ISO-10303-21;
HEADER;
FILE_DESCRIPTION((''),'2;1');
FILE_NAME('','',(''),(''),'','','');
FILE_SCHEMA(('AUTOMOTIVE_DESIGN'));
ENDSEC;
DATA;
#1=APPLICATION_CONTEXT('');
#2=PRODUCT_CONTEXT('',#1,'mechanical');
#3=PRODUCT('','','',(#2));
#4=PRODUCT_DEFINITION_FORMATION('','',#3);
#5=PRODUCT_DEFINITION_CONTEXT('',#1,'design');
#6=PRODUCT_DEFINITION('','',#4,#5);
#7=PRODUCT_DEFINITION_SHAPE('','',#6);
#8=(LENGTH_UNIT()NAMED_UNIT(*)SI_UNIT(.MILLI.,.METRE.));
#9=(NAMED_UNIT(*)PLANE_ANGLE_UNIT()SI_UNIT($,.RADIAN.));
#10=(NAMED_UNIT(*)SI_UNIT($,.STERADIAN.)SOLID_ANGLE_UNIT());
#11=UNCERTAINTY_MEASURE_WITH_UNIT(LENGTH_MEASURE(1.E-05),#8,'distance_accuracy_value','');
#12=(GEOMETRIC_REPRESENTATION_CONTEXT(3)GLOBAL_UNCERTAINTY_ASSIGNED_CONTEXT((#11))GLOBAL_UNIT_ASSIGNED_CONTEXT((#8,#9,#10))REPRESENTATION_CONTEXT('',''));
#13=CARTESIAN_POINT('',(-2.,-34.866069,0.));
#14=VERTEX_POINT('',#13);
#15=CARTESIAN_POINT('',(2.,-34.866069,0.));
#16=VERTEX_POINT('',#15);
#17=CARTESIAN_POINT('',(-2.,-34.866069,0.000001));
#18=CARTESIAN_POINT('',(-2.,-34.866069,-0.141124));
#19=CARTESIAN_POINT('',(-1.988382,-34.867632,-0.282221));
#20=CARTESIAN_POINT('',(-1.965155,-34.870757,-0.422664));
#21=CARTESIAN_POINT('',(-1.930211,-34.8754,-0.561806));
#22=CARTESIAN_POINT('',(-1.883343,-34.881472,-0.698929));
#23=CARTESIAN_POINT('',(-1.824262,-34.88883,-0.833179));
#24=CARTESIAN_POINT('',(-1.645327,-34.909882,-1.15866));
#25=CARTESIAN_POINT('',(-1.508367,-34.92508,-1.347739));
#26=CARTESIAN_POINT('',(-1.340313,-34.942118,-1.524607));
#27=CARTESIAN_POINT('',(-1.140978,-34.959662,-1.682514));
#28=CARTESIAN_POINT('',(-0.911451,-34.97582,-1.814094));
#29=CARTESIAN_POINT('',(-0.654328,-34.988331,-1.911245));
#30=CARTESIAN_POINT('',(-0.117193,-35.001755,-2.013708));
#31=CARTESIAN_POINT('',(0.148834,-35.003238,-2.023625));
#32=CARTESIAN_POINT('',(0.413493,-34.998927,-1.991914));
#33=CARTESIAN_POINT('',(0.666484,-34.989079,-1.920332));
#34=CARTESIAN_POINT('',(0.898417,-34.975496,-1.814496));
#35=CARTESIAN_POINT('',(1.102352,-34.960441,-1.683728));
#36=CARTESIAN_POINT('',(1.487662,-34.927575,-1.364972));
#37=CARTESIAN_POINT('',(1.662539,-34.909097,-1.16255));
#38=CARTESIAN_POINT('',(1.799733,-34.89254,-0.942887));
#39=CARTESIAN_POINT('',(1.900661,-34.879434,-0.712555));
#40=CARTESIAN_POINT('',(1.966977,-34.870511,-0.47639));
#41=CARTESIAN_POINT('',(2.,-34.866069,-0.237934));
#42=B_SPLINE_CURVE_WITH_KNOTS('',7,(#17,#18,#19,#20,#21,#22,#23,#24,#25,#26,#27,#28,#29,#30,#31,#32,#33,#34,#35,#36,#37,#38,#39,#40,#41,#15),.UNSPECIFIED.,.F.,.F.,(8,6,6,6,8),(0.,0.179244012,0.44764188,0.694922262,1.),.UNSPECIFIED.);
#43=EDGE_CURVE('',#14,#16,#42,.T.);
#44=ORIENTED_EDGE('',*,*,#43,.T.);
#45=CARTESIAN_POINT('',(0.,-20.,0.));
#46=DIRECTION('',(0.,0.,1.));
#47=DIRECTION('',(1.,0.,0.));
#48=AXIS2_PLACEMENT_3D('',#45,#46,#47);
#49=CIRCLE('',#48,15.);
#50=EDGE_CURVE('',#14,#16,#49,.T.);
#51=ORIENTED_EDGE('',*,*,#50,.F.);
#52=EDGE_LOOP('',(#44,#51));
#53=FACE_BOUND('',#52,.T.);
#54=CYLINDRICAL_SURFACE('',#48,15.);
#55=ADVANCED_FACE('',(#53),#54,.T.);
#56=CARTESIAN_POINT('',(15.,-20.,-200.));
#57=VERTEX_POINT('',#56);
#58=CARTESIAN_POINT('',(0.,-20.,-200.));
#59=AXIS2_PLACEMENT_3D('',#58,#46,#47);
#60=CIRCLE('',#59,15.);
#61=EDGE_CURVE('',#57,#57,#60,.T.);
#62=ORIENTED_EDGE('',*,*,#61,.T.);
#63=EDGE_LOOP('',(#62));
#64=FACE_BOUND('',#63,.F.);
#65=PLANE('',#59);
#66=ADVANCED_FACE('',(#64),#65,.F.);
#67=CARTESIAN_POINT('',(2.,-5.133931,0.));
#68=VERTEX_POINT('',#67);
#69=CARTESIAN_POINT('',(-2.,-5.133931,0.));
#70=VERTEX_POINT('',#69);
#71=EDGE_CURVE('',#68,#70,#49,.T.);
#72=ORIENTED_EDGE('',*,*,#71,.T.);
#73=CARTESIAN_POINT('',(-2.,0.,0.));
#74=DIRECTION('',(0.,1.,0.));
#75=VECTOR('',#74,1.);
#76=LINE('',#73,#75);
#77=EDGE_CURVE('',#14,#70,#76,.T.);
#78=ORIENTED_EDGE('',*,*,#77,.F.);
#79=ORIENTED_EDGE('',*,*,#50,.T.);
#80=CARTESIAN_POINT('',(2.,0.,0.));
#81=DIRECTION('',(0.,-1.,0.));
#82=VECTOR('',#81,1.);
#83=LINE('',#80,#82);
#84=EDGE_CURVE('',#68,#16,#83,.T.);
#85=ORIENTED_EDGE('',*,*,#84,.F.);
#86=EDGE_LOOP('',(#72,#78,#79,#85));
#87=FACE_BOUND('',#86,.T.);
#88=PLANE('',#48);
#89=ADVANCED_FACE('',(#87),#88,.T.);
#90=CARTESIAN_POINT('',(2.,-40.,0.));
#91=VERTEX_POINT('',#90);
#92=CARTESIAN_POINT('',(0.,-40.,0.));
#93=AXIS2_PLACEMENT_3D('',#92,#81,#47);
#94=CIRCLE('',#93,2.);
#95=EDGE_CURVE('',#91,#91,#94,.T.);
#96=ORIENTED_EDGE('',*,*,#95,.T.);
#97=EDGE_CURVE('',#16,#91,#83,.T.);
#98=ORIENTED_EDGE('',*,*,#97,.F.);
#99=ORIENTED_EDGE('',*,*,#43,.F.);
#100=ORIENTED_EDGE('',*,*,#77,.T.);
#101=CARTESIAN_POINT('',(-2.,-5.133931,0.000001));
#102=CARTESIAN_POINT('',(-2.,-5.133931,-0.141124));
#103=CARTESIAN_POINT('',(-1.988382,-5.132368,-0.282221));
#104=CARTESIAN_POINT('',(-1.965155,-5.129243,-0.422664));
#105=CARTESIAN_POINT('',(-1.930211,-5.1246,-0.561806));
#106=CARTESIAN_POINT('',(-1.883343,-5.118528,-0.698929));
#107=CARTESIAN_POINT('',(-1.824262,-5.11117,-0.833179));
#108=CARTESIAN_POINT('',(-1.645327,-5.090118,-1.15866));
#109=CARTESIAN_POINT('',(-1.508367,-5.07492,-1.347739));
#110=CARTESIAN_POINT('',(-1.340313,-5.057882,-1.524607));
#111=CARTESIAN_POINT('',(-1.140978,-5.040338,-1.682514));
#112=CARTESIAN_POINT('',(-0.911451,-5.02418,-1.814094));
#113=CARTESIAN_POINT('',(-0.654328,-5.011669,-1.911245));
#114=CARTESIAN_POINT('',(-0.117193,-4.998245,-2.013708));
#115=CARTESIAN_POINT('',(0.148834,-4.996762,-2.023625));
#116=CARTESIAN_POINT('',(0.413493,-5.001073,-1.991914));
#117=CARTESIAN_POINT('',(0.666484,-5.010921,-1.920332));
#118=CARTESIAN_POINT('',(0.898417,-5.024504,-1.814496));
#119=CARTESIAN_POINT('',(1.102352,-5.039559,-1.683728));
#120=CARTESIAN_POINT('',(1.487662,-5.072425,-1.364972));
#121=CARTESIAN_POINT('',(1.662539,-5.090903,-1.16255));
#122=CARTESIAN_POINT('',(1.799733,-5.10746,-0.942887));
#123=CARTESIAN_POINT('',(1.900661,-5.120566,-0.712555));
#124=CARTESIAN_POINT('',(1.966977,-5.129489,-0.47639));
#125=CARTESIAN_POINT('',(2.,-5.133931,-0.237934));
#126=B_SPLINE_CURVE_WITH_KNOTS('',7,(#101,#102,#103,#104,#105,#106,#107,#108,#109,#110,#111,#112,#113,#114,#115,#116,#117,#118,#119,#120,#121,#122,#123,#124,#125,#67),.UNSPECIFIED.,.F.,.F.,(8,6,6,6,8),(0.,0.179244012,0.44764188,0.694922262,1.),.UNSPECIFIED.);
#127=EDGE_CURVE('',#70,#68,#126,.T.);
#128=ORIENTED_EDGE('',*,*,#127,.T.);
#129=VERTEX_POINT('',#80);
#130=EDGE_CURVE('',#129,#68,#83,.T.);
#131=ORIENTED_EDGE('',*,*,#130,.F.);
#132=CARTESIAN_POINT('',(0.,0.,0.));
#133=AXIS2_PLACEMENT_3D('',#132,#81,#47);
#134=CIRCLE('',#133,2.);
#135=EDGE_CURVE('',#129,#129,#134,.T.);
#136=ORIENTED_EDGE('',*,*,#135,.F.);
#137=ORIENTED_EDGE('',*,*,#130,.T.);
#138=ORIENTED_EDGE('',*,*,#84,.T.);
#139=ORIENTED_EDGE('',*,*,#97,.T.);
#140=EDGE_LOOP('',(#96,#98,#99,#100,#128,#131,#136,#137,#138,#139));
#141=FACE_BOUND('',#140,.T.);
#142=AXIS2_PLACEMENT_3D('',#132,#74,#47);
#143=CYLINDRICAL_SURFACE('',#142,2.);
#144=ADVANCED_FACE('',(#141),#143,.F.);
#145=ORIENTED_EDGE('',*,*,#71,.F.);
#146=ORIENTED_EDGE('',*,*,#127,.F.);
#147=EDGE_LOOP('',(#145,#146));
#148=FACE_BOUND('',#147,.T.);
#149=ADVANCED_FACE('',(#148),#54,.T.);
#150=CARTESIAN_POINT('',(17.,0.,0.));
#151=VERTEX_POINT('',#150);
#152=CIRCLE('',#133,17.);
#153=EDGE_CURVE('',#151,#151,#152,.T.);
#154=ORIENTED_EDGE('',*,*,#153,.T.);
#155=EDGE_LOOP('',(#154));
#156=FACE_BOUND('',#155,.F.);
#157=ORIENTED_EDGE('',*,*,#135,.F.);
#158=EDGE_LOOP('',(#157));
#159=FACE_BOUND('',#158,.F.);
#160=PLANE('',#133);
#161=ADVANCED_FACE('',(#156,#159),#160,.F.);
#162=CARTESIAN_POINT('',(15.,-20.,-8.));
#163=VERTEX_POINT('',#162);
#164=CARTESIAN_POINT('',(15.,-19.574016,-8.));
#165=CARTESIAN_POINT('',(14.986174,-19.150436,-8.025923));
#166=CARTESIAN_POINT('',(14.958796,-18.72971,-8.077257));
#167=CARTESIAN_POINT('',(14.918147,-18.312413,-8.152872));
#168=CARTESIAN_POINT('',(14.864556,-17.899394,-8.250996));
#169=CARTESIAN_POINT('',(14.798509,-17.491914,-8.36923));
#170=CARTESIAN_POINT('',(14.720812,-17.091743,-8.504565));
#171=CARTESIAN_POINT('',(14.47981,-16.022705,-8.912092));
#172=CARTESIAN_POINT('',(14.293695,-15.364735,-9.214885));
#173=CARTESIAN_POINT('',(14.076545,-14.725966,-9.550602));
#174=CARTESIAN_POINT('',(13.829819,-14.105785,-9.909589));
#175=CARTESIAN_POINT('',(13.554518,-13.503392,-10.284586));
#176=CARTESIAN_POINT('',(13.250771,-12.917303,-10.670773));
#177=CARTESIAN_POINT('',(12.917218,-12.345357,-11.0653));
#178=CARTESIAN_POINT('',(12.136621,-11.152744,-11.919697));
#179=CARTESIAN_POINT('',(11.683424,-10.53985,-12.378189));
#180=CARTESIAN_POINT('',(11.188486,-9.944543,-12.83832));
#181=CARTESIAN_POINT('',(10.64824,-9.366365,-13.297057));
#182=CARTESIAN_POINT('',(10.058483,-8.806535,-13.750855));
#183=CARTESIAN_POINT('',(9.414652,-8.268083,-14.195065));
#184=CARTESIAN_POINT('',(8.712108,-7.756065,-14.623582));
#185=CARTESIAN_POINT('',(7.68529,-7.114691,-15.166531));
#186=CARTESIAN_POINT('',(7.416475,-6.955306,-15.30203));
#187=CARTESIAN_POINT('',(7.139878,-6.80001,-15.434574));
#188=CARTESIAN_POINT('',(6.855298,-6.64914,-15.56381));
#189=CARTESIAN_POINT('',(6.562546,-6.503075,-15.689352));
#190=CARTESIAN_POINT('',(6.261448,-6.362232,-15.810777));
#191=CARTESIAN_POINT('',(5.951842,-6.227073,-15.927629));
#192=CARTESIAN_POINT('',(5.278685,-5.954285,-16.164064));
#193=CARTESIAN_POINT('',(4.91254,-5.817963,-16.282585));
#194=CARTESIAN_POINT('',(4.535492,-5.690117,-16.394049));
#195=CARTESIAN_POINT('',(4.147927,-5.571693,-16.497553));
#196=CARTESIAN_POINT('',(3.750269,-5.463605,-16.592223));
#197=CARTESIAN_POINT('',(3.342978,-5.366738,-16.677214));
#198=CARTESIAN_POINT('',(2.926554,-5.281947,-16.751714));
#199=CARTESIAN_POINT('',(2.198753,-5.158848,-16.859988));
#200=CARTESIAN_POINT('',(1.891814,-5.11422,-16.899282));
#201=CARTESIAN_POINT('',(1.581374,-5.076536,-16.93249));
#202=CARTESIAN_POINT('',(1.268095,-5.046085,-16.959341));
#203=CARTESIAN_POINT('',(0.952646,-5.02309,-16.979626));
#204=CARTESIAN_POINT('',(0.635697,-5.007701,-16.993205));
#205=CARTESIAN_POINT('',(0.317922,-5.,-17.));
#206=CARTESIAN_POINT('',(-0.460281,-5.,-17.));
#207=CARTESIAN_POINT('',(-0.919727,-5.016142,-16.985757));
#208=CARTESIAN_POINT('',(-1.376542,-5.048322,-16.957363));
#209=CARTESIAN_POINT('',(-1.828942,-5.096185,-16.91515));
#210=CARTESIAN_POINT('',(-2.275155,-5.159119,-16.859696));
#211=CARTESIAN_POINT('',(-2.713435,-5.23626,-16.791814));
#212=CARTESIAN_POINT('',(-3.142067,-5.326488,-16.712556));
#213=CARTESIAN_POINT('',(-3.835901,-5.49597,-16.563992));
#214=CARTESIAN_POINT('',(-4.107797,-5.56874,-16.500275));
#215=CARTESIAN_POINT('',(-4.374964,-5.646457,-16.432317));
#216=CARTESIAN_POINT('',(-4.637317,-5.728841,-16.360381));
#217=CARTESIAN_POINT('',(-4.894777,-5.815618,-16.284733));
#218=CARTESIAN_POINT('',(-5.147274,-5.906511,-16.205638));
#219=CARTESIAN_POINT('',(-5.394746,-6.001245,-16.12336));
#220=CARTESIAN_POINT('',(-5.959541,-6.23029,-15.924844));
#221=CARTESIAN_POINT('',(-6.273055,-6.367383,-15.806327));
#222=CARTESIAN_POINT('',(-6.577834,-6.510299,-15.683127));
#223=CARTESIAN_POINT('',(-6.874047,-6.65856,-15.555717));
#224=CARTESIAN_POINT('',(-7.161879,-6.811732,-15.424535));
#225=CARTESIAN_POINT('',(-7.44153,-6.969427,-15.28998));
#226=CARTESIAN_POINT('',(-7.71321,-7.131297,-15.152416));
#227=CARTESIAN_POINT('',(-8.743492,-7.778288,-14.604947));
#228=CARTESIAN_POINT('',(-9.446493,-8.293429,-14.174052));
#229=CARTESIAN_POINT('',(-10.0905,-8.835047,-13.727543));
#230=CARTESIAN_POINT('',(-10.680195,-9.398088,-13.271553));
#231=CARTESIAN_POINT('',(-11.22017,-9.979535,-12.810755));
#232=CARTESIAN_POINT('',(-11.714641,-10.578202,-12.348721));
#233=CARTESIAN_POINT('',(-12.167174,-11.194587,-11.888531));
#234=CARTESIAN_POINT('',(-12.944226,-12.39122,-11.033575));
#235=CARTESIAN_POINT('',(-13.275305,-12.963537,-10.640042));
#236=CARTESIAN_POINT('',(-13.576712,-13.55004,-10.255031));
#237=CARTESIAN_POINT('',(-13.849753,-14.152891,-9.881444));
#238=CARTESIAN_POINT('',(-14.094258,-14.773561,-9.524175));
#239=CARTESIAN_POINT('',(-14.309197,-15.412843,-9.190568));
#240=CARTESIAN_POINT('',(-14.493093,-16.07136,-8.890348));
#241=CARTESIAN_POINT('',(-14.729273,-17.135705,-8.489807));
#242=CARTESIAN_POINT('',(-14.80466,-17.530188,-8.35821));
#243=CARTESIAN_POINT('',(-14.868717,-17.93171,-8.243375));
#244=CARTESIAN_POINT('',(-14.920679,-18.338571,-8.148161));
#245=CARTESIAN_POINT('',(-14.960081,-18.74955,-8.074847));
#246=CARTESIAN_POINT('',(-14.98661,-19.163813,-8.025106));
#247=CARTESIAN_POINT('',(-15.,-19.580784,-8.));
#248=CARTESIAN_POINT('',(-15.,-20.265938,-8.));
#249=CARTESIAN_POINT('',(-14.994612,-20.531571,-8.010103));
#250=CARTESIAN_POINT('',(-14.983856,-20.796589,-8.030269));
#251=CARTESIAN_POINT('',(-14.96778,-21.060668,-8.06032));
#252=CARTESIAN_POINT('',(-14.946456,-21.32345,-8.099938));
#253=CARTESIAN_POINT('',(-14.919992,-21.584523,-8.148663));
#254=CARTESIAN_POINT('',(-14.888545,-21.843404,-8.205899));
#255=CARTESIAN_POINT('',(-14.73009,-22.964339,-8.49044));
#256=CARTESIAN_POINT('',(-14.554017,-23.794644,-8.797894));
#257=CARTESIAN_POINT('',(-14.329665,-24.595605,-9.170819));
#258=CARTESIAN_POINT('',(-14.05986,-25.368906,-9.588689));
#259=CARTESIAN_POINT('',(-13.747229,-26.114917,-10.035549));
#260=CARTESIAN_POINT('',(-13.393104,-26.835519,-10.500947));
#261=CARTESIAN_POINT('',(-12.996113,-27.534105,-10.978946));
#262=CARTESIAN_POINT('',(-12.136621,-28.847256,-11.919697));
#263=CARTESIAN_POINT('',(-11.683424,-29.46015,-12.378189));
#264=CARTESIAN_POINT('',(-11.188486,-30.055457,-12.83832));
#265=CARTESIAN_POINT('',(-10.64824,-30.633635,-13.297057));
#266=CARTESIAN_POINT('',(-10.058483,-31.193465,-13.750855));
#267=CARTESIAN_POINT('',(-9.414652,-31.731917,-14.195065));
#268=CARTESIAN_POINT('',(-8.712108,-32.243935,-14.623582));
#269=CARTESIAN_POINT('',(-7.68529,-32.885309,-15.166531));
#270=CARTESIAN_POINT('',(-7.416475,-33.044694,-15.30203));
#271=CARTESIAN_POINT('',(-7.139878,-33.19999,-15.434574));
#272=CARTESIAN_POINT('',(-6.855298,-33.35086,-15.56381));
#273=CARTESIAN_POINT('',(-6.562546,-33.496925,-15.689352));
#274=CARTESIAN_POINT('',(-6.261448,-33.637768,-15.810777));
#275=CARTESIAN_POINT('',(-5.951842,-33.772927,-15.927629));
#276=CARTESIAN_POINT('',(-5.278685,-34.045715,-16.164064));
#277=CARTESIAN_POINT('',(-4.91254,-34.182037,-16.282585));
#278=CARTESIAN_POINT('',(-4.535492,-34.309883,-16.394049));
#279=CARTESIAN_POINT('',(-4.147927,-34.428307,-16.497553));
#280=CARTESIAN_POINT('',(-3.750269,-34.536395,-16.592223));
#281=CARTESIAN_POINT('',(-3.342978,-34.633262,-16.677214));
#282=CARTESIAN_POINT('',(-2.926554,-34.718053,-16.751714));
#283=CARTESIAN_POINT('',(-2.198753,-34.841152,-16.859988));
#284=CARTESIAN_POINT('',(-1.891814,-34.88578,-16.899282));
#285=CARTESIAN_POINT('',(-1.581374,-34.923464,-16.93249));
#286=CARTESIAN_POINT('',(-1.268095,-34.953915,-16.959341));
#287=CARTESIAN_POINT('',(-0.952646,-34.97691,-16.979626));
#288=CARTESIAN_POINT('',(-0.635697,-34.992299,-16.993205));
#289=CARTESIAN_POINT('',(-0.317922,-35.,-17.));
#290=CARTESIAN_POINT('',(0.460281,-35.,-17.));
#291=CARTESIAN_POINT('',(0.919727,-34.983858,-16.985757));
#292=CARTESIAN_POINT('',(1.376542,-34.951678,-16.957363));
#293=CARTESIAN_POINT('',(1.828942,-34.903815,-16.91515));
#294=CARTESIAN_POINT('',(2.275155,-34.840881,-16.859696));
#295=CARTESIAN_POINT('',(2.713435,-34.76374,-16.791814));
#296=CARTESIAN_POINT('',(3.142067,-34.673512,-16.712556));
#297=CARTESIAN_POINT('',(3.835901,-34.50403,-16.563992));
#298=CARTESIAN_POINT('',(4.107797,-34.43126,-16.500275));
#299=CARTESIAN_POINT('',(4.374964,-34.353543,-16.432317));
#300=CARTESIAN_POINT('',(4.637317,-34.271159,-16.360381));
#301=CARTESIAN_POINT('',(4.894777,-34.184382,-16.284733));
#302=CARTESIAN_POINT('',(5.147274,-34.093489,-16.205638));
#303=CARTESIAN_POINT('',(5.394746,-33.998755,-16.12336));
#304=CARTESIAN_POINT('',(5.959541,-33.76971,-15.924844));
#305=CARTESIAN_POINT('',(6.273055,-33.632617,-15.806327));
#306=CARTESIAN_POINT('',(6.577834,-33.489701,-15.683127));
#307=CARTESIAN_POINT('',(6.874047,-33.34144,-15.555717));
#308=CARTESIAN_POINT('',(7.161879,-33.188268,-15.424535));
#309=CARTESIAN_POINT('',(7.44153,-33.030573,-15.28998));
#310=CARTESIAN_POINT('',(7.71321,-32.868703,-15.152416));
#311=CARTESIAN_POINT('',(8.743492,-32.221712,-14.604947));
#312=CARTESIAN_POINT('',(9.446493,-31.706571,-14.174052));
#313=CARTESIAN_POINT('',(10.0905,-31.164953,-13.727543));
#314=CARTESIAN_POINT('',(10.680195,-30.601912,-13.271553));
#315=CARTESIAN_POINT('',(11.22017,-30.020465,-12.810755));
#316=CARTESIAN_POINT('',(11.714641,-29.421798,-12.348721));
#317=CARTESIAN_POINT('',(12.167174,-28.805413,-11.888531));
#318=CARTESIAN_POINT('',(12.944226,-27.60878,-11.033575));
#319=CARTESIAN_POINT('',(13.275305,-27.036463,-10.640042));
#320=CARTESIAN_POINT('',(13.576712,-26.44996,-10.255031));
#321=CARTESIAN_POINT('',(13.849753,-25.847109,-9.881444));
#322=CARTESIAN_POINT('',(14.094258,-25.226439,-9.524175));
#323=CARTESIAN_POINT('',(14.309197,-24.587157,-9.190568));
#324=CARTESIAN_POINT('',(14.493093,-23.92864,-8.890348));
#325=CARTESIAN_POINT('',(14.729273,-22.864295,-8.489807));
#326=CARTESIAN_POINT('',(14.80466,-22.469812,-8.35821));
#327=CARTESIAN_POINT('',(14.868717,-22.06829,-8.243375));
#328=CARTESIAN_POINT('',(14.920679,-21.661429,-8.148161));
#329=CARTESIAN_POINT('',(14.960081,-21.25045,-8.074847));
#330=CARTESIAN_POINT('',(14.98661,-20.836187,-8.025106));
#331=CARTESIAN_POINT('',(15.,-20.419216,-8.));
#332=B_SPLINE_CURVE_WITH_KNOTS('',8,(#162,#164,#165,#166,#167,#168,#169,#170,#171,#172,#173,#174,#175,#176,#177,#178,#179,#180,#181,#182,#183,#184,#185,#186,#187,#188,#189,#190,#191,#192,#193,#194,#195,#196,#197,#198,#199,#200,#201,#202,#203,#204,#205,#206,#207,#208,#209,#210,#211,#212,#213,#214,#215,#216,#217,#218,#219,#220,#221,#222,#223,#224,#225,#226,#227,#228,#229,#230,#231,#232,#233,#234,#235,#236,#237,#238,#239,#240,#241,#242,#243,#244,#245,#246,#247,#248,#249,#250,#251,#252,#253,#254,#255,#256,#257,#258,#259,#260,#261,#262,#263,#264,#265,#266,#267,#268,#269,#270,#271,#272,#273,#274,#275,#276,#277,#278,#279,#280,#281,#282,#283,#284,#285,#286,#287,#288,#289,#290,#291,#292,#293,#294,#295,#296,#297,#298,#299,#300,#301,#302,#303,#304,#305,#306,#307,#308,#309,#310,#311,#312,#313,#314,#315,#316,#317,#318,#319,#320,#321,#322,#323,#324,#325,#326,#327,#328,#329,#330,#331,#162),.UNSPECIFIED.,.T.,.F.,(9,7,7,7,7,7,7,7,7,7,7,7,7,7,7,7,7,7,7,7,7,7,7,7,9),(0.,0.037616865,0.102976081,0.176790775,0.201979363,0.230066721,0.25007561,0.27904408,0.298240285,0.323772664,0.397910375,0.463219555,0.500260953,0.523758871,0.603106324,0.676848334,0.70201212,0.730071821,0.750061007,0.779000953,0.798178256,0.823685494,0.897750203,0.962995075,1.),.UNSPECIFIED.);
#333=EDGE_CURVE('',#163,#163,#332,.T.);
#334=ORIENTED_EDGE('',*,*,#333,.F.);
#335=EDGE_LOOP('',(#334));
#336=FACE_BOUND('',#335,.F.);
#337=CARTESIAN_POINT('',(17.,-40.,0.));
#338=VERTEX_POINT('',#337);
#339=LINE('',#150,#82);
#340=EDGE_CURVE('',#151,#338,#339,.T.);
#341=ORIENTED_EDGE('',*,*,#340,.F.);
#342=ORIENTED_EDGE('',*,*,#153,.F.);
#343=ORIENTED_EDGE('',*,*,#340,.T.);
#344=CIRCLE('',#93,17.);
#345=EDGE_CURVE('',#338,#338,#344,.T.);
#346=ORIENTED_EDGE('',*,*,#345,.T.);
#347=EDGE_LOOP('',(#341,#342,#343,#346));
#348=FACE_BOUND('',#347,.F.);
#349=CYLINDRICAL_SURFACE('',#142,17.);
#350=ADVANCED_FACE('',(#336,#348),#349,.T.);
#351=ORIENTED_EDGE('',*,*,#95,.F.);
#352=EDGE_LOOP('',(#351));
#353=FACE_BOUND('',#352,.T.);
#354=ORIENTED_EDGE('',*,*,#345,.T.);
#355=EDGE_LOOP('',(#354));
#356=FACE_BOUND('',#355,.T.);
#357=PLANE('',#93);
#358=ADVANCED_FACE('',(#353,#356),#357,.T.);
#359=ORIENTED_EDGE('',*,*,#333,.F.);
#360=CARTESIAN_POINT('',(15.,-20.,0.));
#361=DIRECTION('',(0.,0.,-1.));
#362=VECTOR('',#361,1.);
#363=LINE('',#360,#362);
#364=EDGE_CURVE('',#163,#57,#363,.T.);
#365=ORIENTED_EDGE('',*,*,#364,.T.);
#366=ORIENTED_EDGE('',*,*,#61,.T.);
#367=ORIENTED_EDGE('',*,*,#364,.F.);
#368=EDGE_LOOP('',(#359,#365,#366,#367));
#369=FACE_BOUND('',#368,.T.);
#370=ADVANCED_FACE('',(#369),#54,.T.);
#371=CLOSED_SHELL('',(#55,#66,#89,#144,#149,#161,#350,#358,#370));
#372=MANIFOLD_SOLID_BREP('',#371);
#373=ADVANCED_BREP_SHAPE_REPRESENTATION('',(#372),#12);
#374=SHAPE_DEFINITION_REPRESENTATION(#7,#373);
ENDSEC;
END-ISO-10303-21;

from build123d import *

# Parameters (mm, degrees)
F0_R     = 17
F0_R_2   = 2
F1_DEPTH = 40
F2_R     = 15
F3_DEPTH = 200


with BuildPart() as f1:
    # F0 (on Front) → F1 (new body)
    with BuildSketch(Plane.XZ):
        Circle(F0_R)
        Circle(F0_R_2, mode=Mode.SUBTRACT)
    extrude(amount=F1_DEPTH)

    # F2 (on Top) → F3 (join)
    with BuildSketch(Plane.XY):
        with Locations((0, -20)):
            Circle(F2_R)
    extrude(amount=-F3_DEPTH)


solid = f1.part
